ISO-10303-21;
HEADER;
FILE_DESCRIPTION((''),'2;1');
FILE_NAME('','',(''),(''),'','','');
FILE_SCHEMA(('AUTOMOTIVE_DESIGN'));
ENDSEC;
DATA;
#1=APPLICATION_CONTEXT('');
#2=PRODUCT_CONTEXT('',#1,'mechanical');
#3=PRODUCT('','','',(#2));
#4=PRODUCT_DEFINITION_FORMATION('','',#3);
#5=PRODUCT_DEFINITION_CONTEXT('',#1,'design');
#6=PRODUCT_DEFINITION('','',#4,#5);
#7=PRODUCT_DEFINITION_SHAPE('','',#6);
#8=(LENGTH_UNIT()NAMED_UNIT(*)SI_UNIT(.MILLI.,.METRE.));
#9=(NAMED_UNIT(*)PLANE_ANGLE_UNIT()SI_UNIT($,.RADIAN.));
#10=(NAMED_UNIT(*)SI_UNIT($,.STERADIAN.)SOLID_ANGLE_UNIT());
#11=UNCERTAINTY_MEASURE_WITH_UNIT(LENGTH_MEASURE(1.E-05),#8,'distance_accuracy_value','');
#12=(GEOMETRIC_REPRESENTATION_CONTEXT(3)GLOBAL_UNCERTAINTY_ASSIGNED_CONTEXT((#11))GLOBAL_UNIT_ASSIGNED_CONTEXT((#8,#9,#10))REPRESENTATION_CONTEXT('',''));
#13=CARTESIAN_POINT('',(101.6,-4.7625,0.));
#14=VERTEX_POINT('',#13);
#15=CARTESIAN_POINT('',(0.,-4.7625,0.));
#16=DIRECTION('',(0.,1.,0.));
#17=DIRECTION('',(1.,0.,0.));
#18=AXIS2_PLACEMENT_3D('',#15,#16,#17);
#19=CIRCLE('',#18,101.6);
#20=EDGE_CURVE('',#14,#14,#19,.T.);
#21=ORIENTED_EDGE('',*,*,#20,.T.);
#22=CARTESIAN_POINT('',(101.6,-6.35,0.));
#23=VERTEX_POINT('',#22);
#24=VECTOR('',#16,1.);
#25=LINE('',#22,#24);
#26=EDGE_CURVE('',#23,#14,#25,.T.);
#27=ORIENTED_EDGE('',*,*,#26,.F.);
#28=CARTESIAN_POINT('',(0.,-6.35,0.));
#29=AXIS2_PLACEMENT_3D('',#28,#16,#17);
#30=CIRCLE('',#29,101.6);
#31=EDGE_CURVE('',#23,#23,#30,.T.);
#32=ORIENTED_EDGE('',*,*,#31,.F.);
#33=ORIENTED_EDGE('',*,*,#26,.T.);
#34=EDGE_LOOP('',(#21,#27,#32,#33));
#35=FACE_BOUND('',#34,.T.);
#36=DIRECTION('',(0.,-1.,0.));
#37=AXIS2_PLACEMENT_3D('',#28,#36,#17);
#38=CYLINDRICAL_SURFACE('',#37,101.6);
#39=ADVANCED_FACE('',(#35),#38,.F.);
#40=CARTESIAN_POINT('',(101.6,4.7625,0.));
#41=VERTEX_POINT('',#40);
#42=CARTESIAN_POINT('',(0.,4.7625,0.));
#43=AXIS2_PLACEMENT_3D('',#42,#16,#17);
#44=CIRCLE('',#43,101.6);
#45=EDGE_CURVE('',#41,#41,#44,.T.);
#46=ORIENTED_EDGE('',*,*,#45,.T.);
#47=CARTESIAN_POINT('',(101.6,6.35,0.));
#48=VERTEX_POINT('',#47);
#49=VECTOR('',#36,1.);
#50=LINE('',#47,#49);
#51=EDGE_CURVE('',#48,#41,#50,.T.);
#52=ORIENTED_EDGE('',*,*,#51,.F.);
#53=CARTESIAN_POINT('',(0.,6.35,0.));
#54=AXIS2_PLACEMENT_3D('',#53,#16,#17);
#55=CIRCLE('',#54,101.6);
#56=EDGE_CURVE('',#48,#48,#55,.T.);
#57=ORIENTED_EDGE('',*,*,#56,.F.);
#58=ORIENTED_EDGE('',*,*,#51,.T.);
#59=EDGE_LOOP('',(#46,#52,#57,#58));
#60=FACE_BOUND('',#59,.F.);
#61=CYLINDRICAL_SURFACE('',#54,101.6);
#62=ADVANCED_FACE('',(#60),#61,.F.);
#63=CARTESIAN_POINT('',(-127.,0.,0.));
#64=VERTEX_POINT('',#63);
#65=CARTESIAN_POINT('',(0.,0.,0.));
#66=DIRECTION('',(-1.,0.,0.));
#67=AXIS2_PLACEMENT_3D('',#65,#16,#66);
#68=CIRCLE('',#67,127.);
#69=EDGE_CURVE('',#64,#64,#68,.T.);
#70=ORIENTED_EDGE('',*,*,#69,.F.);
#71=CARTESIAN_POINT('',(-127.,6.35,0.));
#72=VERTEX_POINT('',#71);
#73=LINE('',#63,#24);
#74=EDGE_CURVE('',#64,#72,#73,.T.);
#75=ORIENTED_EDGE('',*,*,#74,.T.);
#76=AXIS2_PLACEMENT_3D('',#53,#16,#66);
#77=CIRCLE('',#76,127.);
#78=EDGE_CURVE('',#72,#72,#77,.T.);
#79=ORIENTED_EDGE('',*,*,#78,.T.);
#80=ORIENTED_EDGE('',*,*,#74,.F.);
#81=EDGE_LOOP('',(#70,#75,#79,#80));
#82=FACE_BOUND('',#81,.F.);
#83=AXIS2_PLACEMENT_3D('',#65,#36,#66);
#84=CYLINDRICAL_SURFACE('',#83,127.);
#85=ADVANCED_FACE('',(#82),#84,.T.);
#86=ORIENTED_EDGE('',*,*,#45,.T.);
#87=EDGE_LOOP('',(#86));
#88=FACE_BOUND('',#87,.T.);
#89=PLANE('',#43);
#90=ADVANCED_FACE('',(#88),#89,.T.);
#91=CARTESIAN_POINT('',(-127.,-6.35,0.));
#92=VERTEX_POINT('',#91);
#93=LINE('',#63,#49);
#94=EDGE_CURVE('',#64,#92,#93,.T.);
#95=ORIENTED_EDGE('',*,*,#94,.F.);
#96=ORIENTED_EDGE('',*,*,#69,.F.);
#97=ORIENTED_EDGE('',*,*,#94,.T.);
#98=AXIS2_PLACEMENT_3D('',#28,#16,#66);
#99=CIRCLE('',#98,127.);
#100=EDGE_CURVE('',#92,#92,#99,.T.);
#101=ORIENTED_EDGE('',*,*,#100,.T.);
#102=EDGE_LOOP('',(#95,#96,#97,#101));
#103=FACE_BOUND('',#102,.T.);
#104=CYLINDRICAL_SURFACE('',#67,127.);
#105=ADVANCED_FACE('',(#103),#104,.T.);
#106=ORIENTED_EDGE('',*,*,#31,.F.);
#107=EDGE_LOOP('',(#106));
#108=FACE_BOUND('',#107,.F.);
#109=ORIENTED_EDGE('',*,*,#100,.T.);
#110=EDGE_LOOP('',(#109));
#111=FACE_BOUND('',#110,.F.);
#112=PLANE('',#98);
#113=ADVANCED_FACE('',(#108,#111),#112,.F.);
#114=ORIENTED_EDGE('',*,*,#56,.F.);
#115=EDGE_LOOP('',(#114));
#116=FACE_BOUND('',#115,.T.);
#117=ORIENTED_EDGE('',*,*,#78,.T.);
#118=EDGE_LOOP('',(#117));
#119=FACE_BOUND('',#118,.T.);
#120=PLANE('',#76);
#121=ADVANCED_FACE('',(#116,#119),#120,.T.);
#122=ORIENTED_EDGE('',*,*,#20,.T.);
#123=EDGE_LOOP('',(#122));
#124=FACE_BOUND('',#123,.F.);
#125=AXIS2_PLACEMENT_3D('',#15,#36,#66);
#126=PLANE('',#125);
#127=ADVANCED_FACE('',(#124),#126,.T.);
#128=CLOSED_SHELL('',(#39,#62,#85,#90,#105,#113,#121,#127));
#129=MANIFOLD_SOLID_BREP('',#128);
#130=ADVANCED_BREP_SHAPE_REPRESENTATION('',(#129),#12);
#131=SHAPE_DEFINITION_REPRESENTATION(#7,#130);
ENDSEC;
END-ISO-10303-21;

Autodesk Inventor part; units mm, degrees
ref_plane "YZ Plane" through (0, 0, 0) normal (1, 0, 0) x (0, 1, 0)
ref_plane "XZ Plane" through (0, 0, 0) normal (0, 1, 0) x (-1, 0, 0)
ref_plane "XY Plane" through (0, 0, 0) normal (0, 0, 1) x (1, 0, 0)
sketch "Sketch1" plane through (0, 0, 0) normal (0, 1, 0) x (-1, 0, 0)
  circle A0 centre (0, 0) radius 127
  dimension "d0" = 254
extrude "Extrusion1" add sketch "Sketch1" along normal mid plane 12.7
sketch "Sketch2" plane through (0, 6.35, 0) normal (0, 1, 0) x (1, 0, 0)
  circle A0 centre (0, 0) radius 101.6
  dimension "d3" = 203.2
extrude "Extrusion2" cut sketch "Sketch2" against normal blind 1.5875
mirror "Mirror1" about plane through (0, 0, 0) normal (0, 1, 0) of "Extrusion2"
properties part number "Chip, Simplified" material "Polycarbonate, Clear"
